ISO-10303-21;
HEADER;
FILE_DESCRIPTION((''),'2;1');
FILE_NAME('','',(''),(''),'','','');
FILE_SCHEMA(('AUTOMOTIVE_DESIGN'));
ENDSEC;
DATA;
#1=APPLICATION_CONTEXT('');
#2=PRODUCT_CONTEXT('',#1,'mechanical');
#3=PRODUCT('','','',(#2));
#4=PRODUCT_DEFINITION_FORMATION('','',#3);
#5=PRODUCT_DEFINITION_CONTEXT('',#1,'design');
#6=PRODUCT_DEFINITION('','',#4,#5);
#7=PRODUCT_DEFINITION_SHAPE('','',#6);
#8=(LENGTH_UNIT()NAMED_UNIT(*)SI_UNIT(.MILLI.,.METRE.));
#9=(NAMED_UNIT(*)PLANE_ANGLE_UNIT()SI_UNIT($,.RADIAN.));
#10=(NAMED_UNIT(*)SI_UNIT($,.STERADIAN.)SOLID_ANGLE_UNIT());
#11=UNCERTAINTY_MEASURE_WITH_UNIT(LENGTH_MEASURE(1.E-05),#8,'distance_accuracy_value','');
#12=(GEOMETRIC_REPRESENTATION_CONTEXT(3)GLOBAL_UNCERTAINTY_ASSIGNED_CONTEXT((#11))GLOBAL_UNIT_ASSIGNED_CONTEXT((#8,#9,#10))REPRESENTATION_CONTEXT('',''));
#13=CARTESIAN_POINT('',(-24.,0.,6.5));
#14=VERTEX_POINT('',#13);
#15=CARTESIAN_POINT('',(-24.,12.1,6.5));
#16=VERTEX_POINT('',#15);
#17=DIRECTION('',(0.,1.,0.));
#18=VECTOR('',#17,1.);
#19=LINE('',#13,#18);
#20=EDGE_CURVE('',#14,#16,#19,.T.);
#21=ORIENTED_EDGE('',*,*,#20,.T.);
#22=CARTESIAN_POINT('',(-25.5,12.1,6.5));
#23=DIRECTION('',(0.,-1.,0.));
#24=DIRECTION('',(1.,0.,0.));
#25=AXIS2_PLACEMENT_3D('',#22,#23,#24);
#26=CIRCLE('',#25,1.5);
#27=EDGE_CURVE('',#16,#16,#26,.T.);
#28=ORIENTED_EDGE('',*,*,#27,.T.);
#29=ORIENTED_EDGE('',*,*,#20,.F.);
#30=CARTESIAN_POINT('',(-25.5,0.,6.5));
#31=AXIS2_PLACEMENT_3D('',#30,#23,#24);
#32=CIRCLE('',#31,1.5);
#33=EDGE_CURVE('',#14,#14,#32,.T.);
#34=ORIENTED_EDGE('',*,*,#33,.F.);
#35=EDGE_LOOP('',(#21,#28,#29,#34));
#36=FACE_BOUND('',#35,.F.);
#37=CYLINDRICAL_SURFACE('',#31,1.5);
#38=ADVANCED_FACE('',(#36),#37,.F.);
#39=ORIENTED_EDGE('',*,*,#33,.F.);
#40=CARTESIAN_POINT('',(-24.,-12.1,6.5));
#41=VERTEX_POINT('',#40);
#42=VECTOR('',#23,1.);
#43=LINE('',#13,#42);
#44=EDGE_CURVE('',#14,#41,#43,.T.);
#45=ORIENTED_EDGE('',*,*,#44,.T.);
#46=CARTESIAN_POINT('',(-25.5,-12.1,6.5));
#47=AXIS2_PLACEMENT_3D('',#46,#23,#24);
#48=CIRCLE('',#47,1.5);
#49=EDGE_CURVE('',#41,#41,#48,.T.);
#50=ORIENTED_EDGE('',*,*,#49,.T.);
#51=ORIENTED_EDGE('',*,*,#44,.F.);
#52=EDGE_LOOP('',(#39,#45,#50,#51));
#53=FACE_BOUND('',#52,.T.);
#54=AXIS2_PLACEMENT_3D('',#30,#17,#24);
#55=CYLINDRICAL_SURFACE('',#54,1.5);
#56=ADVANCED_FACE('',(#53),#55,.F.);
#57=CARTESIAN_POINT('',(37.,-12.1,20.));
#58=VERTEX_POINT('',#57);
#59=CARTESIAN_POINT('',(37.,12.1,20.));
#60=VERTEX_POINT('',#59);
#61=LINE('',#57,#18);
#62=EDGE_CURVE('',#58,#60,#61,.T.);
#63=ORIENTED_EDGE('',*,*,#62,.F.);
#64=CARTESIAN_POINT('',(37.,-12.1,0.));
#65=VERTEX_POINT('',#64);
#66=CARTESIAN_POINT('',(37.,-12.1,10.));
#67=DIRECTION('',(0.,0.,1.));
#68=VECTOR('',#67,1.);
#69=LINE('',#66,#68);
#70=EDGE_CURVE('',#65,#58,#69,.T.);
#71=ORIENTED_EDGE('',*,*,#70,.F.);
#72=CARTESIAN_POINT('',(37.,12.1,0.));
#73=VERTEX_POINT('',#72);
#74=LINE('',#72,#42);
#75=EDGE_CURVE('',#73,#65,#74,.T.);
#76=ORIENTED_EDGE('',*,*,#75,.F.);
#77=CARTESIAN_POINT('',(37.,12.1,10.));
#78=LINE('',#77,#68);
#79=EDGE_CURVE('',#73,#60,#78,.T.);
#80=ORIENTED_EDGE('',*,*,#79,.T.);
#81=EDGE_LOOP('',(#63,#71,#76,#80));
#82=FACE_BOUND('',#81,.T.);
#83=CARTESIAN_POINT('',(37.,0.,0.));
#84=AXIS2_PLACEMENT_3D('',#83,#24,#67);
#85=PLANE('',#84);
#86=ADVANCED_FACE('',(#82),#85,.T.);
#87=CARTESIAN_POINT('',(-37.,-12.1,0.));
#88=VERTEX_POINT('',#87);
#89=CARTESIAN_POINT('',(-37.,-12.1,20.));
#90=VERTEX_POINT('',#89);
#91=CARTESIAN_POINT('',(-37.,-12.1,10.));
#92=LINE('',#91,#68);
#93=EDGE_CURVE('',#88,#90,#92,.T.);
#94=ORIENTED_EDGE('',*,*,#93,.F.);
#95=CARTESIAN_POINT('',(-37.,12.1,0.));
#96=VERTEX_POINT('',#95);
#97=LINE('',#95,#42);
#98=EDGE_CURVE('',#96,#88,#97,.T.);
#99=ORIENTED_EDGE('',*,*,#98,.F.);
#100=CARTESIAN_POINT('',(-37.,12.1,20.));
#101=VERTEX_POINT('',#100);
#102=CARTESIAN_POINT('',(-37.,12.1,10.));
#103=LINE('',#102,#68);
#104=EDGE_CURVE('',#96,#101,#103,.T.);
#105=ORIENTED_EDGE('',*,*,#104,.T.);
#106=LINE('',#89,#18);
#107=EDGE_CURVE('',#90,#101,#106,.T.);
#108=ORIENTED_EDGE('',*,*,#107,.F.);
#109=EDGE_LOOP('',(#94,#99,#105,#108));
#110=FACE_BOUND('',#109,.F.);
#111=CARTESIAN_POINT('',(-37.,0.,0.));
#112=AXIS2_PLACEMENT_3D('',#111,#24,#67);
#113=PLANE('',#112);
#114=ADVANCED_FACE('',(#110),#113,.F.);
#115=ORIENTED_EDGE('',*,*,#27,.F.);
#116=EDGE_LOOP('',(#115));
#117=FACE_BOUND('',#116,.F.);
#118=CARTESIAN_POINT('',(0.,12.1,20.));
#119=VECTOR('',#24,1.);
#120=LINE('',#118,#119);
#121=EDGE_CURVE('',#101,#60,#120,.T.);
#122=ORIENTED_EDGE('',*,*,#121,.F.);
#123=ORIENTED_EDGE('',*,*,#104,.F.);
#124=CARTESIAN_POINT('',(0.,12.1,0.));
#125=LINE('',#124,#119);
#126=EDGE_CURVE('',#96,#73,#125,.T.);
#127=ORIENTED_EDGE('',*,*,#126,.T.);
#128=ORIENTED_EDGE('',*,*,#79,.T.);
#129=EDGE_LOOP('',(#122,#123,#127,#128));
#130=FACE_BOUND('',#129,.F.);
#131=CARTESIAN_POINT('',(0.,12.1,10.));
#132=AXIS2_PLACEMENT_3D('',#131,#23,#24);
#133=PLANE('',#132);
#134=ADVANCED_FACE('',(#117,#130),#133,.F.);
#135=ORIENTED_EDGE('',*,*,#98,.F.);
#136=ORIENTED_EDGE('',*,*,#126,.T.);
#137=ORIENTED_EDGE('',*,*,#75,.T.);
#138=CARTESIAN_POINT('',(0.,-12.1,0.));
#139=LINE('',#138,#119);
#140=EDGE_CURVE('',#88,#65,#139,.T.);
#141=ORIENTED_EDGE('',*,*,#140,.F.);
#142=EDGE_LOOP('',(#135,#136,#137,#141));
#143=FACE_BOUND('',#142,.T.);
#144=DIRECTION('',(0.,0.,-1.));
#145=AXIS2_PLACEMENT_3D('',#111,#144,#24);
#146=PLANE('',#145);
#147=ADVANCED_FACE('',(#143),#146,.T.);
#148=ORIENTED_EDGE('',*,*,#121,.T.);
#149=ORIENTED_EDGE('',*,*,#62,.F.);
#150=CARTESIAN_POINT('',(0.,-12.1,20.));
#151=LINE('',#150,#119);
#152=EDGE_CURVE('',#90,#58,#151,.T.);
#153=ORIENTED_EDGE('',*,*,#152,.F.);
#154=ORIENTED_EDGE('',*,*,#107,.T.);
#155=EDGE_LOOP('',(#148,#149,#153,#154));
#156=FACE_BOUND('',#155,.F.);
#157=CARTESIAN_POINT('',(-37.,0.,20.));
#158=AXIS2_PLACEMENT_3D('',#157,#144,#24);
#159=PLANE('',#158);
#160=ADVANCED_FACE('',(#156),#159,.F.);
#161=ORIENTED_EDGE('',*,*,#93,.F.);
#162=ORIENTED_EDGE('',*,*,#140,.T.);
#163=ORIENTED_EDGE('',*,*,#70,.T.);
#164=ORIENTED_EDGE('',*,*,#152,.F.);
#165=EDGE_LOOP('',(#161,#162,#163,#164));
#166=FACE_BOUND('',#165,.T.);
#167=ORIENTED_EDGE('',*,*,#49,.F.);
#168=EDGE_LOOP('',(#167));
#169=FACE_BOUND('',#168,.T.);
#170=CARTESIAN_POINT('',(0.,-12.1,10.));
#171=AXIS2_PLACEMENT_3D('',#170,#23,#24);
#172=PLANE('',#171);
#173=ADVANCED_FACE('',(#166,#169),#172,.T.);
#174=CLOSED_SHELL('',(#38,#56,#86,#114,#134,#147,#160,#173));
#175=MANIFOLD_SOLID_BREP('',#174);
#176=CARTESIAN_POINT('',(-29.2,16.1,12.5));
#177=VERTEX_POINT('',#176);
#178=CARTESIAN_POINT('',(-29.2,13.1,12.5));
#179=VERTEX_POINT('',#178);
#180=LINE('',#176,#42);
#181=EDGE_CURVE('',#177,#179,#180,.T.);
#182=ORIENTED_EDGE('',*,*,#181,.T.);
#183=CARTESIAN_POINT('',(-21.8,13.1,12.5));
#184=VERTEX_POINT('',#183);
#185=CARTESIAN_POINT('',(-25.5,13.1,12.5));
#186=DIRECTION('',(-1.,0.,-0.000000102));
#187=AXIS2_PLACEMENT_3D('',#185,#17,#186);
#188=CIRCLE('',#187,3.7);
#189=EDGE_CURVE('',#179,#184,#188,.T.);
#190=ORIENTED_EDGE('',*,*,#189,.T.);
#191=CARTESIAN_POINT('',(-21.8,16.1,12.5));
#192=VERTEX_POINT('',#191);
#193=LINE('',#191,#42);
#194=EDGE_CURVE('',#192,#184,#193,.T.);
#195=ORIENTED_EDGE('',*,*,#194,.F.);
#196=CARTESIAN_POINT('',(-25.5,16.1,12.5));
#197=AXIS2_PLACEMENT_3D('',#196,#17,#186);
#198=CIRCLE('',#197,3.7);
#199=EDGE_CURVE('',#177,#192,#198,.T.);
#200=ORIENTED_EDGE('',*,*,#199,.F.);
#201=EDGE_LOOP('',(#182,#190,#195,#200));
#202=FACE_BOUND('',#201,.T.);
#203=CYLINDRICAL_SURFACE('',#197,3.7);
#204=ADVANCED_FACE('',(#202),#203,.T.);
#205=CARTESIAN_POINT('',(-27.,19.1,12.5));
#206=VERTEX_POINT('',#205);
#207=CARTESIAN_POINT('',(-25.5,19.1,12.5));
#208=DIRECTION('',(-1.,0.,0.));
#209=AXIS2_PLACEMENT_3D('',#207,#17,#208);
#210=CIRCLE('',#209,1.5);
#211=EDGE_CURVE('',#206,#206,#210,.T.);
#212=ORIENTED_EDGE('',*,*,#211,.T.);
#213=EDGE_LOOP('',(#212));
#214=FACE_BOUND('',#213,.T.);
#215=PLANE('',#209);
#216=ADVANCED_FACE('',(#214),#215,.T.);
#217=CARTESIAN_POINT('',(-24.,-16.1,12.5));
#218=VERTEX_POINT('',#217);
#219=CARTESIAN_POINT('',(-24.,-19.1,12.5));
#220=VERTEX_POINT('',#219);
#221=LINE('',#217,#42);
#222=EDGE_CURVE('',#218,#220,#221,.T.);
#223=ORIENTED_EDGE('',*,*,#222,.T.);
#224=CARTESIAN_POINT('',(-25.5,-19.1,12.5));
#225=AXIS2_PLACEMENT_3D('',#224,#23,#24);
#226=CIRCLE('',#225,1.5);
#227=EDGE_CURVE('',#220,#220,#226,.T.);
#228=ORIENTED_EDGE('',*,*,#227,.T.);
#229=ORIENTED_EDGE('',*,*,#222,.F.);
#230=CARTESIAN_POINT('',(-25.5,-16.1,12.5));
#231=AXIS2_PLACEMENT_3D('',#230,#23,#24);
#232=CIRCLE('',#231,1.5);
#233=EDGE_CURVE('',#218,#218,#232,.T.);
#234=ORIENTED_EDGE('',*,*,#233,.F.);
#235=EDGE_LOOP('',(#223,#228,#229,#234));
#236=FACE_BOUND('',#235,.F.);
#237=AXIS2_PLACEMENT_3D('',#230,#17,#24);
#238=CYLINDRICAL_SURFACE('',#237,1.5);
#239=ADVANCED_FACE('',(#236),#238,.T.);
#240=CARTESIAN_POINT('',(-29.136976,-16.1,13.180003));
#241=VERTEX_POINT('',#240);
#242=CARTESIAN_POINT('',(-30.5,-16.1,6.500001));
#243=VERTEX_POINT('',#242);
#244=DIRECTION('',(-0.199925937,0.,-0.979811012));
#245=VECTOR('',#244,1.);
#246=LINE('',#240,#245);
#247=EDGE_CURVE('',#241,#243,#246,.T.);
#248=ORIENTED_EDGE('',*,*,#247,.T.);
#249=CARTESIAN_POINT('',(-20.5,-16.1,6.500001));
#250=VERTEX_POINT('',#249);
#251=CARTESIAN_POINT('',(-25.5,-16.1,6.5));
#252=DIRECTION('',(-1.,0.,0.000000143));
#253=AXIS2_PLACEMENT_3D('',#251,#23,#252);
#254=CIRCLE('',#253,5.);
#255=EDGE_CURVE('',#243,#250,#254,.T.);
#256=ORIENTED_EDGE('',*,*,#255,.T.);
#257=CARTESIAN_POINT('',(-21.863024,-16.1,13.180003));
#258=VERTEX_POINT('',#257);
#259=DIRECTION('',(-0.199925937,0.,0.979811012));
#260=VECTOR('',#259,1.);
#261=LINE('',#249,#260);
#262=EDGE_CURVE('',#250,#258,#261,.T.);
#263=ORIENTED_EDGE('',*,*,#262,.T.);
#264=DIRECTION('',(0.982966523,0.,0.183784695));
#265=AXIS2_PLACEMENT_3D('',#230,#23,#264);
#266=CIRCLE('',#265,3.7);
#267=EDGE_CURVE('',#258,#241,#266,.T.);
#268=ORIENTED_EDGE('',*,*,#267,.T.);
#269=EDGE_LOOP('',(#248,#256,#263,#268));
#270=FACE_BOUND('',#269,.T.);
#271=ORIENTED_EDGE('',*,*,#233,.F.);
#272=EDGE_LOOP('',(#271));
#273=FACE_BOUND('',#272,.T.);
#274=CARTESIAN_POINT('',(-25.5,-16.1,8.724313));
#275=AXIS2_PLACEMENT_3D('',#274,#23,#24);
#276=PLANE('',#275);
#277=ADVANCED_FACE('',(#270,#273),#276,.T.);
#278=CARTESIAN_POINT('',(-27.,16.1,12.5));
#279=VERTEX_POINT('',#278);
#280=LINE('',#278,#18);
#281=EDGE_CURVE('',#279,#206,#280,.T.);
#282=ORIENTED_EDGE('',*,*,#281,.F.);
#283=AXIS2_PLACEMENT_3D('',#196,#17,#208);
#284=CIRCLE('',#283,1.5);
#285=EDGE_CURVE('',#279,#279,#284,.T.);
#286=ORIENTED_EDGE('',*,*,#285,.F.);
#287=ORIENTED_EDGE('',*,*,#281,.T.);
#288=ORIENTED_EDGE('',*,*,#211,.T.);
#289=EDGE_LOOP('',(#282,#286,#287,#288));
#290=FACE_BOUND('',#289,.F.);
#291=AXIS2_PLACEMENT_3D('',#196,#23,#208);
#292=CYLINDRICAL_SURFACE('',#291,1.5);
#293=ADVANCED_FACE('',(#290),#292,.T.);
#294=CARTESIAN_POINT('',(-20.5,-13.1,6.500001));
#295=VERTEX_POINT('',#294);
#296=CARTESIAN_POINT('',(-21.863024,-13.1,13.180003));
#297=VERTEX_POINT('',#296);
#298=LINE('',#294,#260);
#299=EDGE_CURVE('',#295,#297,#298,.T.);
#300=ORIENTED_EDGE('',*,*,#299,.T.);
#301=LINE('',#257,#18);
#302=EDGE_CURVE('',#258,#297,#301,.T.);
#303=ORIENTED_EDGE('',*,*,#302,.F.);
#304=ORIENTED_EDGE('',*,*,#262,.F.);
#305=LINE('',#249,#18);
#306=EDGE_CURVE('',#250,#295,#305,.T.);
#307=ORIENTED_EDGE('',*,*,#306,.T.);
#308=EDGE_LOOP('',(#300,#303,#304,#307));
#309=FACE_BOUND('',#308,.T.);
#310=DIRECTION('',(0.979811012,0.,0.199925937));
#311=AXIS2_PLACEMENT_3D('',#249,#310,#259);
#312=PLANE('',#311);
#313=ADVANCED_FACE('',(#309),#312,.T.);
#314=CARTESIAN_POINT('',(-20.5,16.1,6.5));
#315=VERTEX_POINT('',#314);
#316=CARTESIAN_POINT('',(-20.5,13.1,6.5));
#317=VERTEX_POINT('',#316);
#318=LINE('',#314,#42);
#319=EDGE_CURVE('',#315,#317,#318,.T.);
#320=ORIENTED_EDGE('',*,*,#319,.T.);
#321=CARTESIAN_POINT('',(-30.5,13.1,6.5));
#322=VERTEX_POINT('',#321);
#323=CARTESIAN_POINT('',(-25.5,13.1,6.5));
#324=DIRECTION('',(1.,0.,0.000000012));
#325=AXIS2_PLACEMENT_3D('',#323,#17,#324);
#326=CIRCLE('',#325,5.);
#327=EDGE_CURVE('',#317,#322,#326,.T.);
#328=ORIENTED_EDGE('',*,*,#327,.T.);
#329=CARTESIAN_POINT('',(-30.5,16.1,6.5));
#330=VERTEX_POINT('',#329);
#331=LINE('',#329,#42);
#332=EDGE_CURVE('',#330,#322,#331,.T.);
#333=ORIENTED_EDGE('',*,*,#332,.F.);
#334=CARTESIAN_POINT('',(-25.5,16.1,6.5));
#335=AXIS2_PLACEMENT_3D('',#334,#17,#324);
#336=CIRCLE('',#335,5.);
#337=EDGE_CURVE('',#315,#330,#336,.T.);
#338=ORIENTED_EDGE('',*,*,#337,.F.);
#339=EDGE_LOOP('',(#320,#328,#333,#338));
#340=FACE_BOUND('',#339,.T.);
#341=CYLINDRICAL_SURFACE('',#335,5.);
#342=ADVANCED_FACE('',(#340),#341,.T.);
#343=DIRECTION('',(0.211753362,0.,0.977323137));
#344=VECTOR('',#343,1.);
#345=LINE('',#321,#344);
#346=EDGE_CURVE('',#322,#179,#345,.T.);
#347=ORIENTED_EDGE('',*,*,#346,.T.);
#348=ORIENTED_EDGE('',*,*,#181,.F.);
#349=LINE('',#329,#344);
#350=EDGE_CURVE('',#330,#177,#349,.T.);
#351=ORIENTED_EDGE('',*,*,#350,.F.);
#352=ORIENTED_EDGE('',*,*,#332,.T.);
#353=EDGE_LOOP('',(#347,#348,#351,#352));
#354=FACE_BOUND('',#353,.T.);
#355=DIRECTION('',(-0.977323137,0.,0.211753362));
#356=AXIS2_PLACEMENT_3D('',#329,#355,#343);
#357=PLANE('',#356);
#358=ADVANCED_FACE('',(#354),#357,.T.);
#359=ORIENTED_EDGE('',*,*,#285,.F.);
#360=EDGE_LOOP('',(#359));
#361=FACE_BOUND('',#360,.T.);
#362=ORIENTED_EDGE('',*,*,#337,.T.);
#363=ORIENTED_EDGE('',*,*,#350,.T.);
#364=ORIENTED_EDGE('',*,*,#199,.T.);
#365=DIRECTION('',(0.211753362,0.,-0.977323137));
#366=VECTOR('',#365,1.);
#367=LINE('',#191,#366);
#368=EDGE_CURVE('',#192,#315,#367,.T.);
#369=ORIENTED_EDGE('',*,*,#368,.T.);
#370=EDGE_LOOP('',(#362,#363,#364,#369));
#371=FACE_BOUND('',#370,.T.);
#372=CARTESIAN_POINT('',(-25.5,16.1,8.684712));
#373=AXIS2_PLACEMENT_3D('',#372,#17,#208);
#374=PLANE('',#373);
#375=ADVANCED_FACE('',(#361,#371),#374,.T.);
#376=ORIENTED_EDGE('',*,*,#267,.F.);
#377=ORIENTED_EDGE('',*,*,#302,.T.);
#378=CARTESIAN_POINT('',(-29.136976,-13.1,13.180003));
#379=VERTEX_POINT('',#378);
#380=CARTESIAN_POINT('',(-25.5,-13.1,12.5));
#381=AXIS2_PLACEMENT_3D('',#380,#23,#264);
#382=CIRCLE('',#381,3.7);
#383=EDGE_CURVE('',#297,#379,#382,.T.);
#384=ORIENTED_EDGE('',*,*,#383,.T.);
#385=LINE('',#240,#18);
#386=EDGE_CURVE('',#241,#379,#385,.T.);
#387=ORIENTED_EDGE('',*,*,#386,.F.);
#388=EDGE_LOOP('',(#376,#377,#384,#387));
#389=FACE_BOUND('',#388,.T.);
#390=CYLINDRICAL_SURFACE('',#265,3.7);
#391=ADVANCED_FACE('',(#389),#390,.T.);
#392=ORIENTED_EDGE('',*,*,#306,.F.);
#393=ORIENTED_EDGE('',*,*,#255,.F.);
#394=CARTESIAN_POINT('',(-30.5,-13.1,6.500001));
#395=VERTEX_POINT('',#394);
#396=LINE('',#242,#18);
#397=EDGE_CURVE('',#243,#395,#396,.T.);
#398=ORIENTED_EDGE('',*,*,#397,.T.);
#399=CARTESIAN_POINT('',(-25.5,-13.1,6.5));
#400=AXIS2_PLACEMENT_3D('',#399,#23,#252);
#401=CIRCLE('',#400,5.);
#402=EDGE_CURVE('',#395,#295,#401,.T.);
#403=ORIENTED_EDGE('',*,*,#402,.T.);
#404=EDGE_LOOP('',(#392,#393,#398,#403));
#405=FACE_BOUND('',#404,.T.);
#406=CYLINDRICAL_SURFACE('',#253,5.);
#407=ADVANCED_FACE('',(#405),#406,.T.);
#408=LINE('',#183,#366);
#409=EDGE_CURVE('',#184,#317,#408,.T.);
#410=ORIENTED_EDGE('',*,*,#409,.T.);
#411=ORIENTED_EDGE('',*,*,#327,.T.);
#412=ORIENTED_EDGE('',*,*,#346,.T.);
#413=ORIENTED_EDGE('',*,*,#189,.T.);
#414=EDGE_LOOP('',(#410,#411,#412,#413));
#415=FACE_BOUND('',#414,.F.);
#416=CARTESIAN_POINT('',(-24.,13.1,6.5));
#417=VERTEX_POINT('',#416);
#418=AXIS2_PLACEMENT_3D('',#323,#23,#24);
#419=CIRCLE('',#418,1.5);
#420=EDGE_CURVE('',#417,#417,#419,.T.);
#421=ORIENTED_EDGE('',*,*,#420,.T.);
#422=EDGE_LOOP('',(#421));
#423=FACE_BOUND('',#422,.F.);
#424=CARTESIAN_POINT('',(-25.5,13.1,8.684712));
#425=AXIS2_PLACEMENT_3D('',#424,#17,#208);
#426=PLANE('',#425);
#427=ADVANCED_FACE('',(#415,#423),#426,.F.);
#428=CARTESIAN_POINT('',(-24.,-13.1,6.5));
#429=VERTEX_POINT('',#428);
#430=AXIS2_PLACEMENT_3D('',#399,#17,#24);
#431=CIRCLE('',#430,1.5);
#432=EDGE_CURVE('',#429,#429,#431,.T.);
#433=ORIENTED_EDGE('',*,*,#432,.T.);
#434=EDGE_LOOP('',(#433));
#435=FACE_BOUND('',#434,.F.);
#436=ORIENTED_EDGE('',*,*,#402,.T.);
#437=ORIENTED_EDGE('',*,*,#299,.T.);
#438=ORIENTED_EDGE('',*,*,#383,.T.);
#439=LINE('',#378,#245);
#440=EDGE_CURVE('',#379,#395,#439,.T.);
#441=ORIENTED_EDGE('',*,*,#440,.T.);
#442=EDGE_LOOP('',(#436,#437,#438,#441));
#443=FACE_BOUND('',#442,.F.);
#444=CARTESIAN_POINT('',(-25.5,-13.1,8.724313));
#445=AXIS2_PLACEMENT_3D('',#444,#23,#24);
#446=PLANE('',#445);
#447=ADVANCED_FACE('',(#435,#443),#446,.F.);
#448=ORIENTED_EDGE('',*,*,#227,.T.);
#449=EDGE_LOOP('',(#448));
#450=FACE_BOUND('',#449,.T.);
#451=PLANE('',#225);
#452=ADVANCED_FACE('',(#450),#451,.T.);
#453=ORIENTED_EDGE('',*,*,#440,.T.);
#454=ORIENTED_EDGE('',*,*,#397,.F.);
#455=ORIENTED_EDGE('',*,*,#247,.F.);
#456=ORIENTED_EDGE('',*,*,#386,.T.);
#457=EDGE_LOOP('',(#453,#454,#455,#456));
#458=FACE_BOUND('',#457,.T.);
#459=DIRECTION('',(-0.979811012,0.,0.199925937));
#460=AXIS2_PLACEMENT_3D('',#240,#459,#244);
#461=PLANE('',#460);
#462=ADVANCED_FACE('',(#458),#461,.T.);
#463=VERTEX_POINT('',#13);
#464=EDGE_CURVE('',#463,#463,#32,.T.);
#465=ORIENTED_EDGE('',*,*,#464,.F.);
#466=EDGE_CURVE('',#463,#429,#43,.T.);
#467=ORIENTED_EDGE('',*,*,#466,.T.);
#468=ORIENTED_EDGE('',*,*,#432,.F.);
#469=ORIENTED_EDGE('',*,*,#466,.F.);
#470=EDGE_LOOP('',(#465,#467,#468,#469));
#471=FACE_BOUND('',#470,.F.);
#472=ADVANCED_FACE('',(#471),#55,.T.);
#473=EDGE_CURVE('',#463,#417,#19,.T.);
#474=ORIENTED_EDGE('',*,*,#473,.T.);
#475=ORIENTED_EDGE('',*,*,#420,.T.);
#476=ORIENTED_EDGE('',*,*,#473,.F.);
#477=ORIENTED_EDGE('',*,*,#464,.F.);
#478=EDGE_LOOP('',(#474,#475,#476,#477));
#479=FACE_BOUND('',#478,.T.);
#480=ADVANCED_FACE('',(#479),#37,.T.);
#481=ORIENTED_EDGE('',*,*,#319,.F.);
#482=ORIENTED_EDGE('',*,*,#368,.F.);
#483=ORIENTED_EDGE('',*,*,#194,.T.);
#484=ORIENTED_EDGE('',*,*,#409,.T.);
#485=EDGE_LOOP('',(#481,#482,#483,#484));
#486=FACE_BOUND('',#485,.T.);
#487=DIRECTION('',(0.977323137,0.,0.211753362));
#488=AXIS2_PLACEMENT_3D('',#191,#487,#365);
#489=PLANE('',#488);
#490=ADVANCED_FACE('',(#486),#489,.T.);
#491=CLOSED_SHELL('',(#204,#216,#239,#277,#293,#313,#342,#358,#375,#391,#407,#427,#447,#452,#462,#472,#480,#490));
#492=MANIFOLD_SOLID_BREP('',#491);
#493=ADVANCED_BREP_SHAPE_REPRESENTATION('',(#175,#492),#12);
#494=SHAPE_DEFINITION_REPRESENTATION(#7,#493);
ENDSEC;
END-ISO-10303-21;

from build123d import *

# Parameters (mm, degrees)
F0_W          = 74
F0_H          = 20
F0_R          = 1.5
F1_DEPTH      = 12.1
F1_DEPTH_BACK = 12.1
F2_R          = 1.5
F3_DEPTH      = 16.1
F3_DEPTH_BACK = 16.1
F5_DEPTH      = 3
F7_DEPTH      = 3
F8_R          = 1.5
F9_DEPTH      = 3
F10_R         = 1.5
F11_DEPTH     = 3


with BuildPart() as f1:
    # F0 (on Front) → F1 (new body, two sides)
    with BuildSketch(Plane.XZ) as f1_sk:
        with Locations((0, 10)):
            Rectangle(F0_W, F0_H)
        with Locations((-25.5, 6.5)):
            Circle(F0_R, mode=Mode.SUBTRACT)
    extrude(amount=F1_DEPTH)
    extrude(f1_sk.sketch, amount=-F1_DEPTH_BACK)


with BuildPart() as f3:
    # F2 (on Front) → F3 (new body, two sides)
    with BuildSketch(Plane.XZ) as f3_sk:
        with Locations((-25.5, 6.5)):
            Circle(F2_R)
    extrude(amount=-F3_DEPTH)
    extrude(f3_sk.sketch, amount=F3_DEPTH_BACK)

    # F4 (on face) → F5 (join)
    with BuildSketch(Plane.XZ.offset(16.1)):
        with BuildLine():
            Line((-29.1369761363, 13.1800033706), (-30.5, 6.5000007141))
            ThreePointArc((-30.5, 6.5000007141), (-25.5, 1.5), (-20.5, 6.5000007141))
            Line((-20.5, 6.5000007141), (-21.8630238637, 13.1800033706))
            ThreePointArc((-21.8630238637, 13.1800033706), (-25.5, 16.2), (-29.1369761363, 13.1800033706))
        make_face()
    extrude(amount=-F5_DEPTH)

    # F6 (on face) → F7 (join)
    with BuildSketch(Plane(origin=(0, 16.1, 0), x_dir=(-1, 0, 0), z_dir=(0, 1, 0))):
        with BuildLine():
            Line((21.8, 12.4999996232), (20.5, 6.5000000586))
            ThreePointArc((20.5, 6.5000000586), (25.5, 1.5), (30.5, 6.5000000586))
            Line((30.5, 6.5000000586), (29.2, 12.4999996232))
            ThreePointArc((29.2, 12.4999996232), (25.5, 16.2), (21.8, 12.4999996232))
        make_face()
    extrude(amount=-F7_DEPTH)

    # F8 (on face) → F9 (join)
    with BuildSketch(Plane.XZ.offset(16.1)):
        with Locations((-25.5, 12.5)):
            Circle(F8_R)
    extrude(amount=F9_DEPTH)

    # F10 (on face) → F11 (join)
    with BuildSketch(Plane(origin=(0, 16.1, 0), x_dir=(-1, 0, 0), z_dir=(0, 1, 0))):
        with Locations((25.5, 12.5)):
            Circle(F10_R)
    extrude(amount=F11_DEPTH)


solid = Compound([f1.part, f3.part])
